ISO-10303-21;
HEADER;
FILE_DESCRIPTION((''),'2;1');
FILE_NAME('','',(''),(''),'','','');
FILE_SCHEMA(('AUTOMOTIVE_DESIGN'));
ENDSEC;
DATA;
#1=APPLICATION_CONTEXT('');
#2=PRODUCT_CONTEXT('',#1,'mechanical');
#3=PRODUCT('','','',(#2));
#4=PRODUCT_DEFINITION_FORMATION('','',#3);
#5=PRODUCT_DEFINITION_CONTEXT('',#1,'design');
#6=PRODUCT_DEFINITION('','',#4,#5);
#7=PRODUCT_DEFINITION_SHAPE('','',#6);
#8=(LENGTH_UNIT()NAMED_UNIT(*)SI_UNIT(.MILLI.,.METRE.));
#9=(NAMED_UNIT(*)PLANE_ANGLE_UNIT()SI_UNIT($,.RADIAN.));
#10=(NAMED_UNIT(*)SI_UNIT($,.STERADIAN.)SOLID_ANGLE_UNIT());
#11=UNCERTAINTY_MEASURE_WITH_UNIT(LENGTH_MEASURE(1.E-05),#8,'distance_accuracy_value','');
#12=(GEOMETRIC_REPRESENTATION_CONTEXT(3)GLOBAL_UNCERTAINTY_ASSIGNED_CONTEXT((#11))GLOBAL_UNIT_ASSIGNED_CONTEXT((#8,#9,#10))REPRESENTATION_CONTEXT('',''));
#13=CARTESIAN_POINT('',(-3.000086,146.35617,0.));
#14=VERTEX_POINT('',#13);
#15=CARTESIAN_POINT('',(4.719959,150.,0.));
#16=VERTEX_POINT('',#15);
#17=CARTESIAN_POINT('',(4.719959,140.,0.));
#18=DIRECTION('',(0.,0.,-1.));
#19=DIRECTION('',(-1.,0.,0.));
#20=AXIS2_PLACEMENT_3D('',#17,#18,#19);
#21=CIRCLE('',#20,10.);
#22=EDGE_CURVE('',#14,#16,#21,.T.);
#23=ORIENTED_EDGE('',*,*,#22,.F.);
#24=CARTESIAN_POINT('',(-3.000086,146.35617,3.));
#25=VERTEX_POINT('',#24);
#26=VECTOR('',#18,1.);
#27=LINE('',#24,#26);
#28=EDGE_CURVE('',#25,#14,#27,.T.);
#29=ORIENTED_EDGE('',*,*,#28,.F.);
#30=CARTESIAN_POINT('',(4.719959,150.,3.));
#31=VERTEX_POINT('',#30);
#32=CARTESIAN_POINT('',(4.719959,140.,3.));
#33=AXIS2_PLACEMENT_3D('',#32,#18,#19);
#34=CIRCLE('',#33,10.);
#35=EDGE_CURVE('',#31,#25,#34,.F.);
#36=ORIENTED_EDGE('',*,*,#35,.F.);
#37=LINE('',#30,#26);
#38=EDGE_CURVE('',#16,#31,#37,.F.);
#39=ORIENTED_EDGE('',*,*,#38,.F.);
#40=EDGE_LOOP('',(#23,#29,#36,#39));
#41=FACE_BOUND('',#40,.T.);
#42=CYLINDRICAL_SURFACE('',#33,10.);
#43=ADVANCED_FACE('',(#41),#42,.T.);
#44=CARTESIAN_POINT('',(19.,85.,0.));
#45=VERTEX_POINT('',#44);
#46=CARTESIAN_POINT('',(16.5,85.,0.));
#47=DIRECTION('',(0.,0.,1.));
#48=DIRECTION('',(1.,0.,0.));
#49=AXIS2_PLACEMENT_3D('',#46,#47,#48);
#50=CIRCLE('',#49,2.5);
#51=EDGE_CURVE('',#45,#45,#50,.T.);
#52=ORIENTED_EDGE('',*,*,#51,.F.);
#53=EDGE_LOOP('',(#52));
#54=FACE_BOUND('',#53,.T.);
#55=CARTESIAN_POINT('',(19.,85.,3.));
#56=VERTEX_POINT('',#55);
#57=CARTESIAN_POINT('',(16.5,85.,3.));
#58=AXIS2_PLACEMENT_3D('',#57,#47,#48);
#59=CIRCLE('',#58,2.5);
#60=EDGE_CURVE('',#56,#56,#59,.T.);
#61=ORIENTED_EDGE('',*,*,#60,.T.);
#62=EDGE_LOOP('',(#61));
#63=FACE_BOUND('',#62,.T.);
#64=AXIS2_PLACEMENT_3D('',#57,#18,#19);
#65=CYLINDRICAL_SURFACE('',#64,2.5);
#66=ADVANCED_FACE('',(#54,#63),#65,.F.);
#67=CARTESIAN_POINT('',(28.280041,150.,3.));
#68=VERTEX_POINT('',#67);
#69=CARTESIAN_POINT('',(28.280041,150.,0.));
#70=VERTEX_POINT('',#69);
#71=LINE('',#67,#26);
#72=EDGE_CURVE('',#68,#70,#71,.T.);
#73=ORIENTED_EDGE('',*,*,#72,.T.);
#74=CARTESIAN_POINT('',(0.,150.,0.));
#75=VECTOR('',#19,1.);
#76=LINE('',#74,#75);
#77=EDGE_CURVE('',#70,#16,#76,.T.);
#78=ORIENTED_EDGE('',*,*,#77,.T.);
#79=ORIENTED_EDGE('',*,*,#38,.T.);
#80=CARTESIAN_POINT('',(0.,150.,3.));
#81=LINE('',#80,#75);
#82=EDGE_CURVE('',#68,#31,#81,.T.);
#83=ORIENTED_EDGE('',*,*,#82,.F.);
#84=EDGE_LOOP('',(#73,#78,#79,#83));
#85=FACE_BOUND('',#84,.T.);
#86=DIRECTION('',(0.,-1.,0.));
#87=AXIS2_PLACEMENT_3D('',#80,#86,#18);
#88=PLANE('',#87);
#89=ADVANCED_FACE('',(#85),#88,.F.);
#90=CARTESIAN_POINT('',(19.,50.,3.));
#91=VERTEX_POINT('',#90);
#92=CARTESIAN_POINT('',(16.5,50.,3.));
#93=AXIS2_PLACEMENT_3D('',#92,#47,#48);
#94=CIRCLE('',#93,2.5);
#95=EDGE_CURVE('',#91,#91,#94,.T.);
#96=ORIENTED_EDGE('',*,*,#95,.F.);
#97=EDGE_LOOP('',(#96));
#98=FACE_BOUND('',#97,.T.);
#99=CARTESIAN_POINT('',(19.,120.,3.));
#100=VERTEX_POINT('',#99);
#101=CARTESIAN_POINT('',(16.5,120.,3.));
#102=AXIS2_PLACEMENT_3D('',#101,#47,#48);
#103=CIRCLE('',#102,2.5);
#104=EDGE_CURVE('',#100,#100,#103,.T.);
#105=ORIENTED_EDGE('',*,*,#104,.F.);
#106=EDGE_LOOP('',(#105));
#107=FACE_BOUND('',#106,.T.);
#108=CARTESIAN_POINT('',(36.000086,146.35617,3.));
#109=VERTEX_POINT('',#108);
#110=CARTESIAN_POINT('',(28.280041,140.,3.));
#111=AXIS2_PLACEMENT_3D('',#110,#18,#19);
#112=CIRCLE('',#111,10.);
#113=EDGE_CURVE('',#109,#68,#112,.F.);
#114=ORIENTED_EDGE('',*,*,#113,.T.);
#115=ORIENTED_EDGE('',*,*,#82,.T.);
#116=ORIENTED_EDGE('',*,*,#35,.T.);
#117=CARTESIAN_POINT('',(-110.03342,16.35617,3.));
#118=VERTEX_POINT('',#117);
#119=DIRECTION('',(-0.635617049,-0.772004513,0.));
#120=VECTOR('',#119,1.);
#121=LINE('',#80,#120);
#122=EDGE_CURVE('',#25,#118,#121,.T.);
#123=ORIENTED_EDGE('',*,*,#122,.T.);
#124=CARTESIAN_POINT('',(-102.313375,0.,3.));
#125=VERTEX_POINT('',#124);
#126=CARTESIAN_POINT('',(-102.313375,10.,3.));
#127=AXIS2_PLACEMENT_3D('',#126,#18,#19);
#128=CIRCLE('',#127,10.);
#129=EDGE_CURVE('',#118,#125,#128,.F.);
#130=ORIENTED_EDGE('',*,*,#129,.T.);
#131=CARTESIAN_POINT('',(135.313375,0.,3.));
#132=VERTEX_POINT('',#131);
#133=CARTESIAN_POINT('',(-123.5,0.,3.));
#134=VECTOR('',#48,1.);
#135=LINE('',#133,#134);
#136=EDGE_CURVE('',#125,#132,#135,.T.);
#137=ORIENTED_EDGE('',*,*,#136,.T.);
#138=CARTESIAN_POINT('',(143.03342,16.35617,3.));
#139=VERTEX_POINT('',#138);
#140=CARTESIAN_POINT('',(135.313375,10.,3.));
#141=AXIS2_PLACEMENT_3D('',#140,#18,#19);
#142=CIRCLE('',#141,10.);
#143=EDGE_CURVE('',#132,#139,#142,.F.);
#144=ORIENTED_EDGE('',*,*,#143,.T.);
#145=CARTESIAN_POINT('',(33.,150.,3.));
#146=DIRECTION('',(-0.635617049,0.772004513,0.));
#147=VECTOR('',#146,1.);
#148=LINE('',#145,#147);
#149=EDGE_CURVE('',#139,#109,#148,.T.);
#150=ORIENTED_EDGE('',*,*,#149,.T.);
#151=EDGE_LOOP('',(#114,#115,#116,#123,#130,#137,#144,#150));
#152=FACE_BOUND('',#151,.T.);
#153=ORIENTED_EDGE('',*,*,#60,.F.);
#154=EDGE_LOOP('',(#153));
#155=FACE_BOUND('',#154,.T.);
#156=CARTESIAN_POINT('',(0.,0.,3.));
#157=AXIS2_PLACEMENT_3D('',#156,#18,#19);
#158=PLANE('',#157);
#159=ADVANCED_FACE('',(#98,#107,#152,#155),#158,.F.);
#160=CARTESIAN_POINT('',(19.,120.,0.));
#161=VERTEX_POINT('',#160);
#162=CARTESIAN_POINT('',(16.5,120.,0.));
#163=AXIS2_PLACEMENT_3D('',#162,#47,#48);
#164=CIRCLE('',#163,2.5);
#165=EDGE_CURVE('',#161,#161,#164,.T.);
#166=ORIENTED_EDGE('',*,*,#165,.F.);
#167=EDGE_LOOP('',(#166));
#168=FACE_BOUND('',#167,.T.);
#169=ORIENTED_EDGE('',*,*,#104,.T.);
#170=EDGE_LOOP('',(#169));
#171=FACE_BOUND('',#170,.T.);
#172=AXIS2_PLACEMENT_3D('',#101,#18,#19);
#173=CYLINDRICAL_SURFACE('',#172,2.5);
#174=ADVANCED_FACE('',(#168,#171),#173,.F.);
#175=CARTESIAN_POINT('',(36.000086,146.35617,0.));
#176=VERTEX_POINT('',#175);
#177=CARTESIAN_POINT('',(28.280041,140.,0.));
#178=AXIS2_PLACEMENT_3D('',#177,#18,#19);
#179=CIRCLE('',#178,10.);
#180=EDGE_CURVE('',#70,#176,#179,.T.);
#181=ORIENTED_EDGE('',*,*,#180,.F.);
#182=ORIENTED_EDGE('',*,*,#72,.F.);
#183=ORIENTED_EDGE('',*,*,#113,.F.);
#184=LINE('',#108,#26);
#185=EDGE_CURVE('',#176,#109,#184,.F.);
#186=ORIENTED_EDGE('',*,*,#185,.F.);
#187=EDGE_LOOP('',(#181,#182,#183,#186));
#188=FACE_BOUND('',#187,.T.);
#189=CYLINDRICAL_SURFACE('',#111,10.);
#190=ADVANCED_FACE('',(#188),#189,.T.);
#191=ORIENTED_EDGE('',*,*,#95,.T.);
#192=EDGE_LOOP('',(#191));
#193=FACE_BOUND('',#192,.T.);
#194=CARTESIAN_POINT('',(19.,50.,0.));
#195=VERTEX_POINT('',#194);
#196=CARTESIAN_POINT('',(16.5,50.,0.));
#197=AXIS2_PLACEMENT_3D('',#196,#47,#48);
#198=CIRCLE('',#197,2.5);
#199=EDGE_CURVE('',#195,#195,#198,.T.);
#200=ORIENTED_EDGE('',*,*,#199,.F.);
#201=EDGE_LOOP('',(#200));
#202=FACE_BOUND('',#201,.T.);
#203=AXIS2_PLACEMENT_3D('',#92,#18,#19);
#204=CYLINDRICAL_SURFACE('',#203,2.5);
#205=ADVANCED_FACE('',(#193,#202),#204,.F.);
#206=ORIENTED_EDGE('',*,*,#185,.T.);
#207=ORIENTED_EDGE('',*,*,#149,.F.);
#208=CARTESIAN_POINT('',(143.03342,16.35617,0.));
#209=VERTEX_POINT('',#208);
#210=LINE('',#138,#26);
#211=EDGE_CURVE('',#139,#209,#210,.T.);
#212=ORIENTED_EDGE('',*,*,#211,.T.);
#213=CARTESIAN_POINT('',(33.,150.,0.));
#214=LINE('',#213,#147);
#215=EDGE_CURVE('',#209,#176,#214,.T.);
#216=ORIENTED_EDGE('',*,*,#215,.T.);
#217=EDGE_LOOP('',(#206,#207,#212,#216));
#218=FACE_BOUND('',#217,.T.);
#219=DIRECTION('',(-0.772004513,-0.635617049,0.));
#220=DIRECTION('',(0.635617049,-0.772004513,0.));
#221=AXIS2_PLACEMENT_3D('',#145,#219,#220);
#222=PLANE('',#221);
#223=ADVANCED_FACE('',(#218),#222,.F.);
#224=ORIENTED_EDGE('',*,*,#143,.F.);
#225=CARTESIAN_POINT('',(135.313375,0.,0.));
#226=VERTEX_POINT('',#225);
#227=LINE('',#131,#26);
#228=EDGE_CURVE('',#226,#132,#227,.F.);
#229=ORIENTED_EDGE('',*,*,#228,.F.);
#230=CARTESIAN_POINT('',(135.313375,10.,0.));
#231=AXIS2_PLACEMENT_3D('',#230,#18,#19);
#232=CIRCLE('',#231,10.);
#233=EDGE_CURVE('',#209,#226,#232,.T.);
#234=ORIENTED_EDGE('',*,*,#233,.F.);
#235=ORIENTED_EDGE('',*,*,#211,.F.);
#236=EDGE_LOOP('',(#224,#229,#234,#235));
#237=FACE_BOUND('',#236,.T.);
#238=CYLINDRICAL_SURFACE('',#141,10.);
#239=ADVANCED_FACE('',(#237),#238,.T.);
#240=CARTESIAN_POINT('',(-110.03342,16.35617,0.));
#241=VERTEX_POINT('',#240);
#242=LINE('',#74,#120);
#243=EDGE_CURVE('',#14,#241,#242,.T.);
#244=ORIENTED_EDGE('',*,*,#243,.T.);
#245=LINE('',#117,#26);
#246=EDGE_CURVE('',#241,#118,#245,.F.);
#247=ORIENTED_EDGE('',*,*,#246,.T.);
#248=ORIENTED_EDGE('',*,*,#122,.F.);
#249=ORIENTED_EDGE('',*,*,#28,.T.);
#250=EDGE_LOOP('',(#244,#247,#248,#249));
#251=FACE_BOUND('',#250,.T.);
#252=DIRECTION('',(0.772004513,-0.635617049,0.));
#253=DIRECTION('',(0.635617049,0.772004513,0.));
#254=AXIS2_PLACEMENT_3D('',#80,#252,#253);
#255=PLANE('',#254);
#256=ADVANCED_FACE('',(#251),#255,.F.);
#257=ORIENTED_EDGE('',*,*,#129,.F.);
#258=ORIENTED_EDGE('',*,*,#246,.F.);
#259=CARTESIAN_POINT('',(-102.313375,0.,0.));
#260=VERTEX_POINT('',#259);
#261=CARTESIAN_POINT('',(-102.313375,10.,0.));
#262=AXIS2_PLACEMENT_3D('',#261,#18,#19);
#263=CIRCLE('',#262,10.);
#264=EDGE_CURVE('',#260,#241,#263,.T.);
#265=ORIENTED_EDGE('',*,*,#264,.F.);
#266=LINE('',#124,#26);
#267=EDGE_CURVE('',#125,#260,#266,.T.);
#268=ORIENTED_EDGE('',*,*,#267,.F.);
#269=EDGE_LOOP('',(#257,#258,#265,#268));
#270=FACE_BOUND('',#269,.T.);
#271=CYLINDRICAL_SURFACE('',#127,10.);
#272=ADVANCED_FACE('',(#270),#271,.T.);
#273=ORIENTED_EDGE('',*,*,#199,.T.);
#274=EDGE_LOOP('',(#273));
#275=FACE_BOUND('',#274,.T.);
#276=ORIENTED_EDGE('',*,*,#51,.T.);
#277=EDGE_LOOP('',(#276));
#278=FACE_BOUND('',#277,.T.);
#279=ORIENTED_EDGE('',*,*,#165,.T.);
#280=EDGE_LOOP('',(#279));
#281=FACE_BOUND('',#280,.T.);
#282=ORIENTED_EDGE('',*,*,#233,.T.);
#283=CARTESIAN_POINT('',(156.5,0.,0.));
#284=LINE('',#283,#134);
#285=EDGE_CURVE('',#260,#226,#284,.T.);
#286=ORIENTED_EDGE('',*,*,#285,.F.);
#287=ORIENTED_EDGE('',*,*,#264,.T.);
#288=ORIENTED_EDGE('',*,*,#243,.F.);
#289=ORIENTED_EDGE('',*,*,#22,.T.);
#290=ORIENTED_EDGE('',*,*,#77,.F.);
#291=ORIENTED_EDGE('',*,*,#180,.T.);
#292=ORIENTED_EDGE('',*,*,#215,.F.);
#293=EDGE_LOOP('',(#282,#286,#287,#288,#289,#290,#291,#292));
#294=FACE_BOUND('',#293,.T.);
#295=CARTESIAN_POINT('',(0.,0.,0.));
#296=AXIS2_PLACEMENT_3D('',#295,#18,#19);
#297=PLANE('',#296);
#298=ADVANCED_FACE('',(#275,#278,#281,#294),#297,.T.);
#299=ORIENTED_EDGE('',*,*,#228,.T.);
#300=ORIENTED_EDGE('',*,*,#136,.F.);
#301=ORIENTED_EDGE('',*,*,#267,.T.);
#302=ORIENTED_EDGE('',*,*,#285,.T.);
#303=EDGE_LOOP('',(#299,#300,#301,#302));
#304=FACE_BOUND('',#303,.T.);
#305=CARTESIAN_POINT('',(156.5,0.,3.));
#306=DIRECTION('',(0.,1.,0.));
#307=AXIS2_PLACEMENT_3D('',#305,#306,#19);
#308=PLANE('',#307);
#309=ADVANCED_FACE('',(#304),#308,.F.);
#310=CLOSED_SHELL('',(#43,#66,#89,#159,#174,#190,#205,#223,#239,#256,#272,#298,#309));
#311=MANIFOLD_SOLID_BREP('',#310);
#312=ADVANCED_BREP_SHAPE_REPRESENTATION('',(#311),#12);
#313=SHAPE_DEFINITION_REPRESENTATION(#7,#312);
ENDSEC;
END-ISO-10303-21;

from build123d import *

# Parameters (mm, degrees)
SKETCH1_R           = 2.5
BOSS_EXTRUDE1_DEPTH = 3
FILLET1_R           = 10


with BuildPart() as part:
    # Sketch1 → Boss-Extrude1 (new body)
    with BuildSketch(Plane.XY):
        Polygon((0, 150), (-123.5, 0), (0, 0), (33, 0), (156.5, 0), (33, 150), align=None)
        with Locations((16.5, 85)):
            Circle(SKETCH1_R, mode=Mode.SUBTRACT)
        with Locations((16.5, 120)):
            Circle(SKETCH1_R, mode=Mode.SUBTRACT)
        with Locations((16.5, 50)):
            Circle(SKETCH1_R, mode=Mode.SUBTRACT)
    extrude(amount=BOSS_EXTRUDE1_DEPTH)

    # Fillet1
    fillet1_edges = [part.edges().sort_by_distance(p)[0] for p in [
        (-123.5, 0, 1.5),
        (0, 150, 1.5),
        (33, 150, 1.5),
        (156.5, 0, 1.5),
    ]]
    fillet(fillet1_edges, radius=FILLET1_R)


solid = part.part
